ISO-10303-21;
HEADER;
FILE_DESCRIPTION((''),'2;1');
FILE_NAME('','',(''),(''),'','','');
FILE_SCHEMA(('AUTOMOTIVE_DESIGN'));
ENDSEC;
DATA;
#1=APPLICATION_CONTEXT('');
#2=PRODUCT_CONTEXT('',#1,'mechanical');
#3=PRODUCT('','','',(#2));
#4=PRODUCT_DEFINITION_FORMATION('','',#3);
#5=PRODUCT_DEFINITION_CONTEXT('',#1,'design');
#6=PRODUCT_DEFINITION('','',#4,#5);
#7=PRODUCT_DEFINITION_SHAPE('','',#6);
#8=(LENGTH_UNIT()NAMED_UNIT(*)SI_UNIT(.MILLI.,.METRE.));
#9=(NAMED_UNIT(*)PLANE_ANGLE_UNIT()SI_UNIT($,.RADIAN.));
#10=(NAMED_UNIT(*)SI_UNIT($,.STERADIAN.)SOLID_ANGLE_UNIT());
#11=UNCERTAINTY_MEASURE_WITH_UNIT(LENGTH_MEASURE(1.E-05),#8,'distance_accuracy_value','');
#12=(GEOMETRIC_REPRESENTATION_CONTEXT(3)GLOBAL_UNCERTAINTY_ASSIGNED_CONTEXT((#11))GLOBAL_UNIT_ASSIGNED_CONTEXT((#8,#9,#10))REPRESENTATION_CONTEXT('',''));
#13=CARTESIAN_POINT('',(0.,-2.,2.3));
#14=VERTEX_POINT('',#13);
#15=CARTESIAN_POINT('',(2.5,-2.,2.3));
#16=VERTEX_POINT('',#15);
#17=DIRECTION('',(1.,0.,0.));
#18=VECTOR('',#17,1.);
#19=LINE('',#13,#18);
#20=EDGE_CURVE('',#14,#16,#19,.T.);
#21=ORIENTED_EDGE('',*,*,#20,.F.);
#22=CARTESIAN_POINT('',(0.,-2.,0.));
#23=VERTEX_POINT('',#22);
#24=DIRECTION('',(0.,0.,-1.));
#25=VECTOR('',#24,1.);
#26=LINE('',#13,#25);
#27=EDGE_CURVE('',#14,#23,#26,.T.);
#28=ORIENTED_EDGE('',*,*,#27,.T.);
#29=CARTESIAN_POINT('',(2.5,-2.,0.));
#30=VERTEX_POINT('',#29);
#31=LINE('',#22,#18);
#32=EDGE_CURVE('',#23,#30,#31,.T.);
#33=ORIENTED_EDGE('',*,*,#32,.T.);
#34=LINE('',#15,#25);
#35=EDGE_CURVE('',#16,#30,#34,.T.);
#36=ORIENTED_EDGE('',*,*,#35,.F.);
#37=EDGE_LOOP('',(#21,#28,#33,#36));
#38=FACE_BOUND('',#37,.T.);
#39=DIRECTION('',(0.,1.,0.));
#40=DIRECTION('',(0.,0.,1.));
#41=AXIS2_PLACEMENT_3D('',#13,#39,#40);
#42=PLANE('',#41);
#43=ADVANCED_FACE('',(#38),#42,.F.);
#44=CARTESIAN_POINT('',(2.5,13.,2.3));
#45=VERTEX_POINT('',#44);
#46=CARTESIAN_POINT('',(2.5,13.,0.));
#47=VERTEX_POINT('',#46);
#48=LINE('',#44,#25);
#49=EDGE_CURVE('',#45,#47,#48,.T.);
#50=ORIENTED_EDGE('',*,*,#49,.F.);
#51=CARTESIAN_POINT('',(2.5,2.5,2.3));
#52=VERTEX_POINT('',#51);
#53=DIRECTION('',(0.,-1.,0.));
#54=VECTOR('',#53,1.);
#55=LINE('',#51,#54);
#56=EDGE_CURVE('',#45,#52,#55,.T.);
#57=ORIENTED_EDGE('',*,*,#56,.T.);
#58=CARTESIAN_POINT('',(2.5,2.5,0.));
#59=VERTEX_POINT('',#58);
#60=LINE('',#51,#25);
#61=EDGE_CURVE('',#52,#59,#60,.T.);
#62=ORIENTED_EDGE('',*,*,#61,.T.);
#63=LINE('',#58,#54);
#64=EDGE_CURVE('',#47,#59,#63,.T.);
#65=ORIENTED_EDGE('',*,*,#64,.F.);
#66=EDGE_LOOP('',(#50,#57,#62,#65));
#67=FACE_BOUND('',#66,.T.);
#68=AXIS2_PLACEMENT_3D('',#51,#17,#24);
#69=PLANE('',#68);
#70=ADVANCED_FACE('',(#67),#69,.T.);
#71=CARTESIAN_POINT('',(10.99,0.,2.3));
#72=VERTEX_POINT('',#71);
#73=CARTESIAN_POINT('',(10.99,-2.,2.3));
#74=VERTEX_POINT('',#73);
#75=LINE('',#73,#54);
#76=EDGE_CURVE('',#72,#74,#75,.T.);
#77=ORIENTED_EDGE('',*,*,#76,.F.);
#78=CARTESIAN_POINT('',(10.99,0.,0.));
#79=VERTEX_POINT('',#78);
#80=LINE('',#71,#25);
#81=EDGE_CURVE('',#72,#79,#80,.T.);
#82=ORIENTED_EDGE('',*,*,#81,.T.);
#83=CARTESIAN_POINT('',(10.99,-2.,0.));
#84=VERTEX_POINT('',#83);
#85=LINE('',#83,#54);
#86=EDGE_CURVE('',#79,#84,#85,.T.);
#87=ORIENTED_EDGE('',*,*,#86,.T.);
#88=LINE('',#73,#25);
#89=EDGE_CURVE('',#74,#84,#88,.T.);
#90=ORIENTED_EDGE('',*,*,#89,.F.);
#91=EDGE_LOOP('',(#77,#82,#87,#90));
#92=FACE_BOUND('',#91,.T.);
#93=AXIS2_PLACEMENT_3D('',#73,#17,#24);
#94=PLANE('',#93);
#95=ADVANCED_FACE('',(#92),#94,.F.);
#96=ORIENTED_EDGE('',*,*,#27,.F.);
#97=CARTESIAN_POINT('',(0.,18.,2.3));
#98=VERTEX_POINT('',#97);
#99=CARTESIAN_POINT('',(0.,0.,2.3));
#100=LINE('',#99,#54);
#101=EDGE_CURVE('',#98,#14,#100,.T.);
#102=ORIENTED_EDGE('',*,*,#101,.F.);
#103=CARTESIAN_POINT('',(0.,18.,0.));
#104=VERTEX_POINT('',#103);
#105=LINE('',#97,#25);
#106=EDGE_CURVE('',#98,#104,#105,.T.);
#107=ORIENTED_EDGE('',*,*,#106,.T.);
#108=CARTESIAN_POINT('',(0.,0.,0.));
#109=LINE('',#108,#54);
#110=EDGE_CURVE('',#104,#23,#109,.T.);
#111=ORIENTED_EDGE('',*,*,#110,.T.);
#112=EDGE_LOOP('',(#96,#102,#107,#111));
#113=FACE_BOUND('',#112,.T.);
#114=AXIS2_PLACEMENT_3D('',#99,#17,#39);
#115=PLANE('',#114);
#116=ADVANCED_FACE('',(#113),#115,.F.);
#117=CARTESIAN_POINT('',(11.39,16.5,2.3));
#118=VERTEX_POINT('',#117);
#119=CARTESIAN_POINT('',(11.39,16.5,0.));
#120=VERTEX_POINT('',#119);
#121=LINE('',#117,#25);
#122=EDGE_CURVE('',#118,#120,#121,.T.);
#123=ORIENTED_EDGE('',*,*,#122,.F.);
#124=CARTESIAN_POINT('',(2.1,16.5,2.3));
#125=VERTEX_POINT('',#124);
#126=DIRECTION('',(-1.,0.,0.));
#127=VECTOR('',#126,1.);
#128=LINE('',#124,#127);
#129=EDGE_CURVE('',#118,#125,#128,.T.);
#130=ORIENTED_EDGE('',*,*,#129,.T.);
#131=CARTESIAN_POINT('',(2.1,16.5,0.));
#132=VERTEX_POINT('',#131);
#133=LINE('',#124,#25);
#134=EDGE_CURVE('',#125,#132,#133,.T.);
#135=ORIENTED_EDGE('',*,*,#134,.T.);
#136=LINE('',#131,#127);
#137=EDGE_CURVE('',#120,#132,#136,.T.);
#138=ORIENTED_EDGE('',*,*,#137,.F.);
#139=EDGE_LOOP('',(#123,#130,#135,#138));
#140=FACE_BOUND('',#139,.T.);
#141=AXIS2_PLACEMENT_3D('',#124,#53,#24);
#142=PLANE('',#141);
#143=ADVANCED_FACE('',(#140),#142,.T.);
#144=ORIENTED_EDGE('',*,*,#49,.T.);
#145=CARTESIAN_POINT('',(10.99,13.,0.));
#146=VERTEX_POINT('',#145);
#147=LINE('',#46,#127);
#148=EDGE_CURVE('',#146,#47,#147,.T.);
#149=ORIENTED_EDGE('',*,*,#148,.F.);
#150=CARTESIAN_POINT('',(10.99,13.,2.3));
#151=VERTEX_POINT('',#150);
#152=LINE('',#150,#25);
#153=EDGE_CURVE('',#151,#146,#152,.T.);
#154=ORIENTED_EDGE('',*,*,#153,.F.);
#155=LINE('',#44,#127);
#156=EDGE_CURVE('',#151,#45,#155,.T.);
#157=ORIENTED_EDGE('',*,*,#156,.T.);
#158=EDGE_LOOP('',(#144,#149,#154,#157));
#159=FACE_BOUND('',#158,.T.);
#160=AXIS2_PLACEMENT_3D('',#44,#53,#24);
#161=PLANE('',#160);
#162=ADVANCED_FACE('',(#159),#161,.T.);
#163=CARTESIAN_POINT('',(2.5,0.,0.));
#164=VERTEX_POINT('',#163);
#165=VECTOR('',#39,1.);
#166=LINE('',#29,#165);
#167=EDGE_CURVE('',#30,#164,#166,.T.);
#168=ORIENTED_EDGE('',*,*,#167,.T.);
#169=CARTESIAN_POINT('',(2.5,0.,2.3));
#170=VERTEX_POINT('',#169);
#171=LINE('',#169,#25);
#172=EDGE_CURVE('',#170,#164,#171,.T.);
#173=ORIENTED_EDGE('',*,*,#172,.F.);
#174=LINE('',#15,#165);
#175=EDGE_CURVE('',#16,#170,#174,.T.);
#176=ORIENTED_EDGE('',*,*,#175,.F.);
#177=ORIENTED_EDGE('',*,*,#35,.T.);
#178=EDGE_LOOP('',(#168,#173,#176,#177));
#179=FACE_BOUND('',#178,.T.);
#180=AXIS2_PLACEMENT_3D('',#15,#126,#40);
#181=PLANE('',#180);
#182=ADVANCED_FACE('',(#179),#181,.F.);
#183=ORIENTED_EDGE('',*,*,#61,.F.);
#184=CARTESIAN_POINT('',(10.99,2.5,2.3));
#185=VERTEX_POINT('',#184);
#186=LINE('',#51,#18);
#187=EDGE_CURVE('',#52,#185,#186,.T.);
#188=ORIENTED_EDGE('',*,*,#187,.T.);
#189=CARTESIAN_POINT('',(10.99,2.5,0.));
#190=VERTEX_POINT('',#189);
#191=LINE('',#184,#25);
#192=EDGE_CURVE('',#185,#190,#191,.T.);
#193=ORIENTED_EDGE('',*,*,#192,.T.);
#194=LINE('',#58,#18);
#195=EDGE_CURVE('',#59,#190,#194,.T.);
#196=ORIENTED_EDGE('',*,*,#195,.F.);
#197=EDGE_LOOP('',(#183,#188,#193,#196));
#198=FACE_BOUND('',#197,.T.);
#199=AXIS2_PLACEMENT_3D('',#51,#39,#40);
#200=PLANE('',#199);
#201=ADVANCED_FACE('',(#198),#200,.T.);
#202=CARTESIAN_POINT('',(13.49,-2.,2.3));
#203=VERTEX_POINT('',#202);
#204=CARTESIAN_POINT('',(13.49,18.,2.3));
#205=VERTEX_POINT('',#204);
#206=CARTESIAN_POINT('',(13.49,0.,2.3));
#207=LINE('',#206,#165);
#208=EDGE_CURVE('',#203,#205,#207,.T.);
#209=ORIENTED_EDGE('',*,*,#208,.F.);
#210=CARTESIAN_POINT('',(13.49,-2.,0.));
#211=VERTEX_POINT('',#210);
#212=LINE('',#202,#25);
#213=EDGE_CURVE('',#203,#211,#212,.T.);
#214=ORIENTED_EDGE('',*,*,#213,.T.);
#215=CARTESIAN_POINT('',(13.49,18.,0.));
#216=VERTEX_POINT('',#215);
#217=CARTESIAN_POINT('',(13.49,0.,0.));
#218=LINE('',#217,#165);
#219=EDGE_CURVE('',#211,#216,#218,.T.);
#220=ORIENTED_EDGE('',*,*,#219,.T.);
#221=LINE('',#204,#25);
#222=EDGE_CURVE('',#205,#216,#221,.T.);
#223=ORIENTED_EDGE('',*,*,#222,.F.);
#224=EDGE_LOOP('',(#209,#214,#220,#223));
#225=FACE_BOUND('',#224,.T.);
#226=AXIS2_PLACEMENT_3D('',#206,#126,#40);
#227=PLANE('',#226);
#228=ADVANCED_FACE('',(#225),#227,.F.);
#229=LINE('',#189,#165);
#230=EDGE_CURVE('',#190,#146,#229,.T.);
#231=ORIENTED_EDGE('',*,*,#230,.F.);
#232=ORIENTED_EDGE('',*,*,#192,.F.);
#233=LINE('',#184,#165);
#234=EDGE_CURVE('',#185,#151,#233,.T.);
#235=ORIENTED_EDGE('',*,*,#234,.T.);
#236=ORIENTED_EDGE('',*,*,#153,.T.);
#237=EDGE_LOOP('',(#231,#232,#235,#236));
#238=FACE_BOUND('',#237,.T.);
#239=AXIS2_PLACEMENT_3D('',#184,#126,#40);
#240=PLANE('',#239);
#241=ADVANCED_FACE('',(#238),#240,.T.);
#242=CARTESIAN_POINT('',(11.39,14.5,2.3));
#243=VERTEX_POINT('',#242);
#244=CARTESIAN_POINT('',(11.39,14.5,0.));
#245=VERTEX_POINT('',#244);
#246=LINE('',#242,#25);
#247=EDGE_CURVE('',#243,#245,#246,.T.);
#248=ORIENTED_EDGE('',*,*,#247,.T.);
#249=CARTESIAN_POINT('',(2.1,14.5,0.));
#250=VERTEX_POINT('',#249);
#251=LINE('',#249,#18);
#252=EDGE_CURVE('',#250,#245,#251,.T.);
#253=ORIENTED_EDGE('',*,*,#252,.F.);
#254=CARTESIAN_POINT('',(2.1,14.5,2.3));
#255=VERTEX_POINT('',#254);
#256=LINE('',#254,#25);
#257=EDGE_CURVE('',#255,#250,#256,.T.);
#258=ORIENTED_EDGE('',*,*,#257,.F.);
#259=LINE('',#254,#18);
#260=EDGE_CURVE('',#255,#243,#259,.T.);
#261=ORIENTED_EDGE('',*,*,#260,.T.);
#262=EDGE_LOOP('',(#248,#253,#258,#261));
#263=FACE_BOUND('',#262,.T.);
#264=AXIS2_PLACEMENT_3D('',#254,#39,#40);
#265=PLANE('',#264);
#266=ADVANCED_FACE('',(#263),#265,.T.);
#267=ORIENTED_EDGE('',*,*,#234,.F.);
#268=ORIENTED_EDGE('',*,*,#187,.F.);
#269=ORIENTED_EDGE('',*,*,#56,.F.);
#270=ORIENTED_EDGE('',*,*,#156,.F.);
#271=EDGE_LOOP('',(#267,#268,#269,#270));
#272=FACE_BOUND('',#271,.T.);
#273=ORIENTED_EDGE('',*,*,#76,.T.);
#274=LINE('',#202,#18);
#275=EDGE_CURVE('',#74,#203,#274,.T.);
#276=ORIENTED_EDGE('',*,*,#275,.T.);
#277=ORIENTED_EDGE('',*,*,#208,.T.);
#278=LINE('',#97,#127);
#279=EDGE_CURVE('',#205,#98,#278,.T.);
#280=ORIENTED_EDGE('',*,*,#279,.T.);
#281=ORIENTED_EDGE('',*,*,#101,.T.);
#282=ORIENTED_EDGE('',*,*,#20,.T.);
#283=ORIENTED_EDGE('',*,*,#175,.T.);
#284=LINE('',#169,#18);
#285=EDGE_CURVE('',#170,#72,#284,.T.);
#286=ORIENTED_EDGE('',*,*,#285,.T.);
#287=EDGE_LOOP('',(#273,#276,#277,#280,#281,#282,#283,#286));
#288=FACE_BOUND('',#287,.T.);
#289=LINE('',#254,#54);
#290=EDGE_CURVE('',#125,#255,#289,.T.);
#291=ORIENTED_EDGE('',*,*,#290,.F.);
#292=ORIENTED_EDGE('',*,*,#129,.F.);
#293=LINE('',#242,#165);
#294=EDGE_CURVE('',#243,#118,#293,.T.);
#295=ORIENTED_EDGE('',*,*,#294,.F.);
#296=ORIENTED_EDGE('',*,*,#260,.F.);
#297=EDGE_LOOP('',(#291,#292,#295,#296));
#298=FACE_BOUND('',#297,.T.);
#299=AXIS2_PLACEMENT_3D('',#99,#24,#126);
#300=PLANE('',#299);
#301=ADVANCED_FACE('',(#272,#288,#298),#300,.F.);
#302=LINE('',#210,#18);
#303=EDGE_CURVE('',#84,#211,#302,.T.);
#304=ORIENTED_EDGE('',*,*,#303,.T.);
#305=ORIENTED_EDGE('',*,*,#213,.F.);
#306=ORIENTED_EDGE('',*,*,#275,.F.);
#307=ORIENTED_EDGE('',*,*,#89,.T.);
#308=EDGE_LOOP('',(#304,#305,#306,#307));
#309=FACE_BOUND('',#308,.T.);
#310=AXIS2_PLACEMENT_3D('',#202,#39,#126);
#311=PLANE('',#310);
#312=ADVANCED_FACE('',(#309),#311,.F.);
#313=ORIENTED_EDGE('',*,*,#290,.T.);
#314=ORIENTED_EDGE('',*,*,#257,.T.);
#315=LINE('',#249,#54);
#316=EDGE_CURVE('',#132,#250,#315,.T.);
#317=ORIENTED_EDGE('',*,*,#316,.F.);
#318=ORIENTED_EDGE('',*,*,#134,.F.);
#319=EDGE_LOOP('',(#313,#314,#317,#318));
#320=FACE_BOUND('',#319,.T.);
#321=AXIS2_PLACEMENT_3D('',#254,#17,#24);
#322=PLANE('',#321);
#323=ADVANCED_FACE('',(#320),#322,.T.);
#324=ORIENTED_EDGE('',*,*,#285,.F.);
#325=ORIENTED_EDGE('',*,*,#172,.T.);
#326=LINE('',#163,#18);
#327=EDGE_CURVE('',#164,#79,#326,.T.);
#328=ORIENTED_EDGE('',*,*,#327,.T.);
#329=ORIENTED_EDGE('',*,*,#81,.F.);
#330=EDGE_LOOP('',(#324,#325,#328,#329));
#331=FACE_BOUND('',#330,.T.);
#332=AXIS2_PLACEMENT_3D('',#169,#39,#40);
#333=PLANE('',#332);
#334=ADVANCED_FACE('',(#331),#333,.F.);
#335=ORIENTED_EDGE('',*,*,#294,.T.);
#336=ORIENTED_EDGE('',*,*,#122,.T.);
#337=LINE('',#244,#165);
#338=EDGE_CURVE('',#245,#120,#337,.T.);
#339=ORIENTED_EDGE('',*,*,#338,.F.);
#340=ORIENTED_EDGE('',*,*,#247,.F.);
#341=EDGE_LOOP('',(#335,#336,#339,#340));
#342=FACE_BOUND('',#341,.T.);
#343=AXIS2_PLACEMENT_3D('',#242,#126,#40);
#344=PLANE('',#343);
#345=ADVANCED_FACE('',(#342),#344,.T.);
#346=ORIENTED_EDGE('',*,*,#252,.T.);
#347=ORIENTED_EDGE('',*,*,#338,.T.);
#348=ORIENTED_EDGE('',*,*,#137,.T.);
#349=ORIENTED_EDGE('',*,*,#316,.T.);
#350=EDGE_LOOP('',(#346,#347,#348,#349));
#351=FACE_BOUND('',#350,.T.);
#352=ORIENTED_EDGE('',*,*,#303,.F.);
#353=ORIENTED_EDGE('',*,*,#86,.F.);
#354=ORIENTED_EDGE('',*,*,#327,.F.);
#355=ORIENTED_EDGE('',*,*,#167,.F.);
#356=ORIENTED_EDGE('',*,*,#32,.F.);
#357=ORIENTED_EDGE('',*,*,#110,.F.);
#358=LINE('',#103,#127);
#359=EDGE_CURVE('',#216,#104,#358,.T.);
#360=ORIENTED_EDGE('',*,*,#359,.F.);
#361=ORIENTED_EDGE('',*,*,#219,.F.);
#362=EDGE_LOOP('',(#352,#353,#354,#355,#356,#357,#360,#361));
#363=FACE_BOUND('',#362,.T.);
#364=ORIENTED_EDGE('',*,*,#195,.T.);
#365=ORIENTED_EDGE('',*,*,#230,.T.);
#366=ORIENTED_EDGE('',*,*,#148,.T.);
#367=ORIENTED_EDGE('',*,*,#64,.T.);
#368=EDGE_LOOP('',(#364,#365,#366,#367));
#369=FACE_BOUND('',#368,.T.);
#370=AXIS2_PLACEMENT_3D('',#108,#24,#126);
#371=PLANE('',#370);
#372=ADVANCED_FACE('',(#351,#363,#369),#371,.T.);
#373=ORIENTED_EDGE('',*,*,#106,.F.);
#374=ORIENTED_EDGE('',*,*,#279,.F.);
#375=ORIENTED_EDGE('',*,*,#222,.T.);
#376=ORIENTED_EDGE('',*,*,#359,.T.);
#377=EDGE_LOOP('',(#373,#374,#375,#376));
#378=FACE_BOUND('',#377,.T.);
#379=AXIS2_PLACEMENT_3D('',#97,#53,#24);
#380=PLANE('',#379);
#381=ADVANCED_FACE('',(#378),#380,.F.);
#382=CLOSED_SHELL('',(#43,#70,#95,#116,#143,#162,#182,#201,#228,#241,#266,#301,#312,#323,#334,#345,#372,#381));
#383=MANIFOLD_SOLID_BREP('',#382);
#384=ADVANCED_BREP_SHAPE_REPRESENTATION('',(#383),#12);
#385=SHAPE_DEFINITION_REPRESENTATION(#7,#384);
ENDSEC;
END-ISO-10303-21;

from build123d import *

# Parameters (mm, degrees)
SKETCH1_W           = 8.49
SKETCH1_H           = 10.5
SKETCH1_W_2         = 9.29
SKETCH1_H_2         = 2
BOSS_EXTRUDE1_DEPTH = 2.3


with BuildPart() as part:
    # Sketch1 → Boss-Extrude1 (new body)
    with BuildSketch(Plane.XY):
        Polygon((0, 0), (0, -2), (2.5, -2), (2.5, 0), (10.99, 0), (10.99, -2), (13.49, -2), (13.49, 0), (13.49, 18), (0, 18), align=None)
        with Locations((6.745, 7.75)):
            Rectangle(SKETCH1_W, SKETCH1_H, mode=Mode.SUBTRACT)
        with Locations((6.745, 15.5)):
            Rectangle(SKETCH1_W_2, SKETCH1_H_2, mode=Mode.SUBTRACT)
    extrude(amount=BOSS_EXTRUDE1_DEPTH)


solid = part.part
